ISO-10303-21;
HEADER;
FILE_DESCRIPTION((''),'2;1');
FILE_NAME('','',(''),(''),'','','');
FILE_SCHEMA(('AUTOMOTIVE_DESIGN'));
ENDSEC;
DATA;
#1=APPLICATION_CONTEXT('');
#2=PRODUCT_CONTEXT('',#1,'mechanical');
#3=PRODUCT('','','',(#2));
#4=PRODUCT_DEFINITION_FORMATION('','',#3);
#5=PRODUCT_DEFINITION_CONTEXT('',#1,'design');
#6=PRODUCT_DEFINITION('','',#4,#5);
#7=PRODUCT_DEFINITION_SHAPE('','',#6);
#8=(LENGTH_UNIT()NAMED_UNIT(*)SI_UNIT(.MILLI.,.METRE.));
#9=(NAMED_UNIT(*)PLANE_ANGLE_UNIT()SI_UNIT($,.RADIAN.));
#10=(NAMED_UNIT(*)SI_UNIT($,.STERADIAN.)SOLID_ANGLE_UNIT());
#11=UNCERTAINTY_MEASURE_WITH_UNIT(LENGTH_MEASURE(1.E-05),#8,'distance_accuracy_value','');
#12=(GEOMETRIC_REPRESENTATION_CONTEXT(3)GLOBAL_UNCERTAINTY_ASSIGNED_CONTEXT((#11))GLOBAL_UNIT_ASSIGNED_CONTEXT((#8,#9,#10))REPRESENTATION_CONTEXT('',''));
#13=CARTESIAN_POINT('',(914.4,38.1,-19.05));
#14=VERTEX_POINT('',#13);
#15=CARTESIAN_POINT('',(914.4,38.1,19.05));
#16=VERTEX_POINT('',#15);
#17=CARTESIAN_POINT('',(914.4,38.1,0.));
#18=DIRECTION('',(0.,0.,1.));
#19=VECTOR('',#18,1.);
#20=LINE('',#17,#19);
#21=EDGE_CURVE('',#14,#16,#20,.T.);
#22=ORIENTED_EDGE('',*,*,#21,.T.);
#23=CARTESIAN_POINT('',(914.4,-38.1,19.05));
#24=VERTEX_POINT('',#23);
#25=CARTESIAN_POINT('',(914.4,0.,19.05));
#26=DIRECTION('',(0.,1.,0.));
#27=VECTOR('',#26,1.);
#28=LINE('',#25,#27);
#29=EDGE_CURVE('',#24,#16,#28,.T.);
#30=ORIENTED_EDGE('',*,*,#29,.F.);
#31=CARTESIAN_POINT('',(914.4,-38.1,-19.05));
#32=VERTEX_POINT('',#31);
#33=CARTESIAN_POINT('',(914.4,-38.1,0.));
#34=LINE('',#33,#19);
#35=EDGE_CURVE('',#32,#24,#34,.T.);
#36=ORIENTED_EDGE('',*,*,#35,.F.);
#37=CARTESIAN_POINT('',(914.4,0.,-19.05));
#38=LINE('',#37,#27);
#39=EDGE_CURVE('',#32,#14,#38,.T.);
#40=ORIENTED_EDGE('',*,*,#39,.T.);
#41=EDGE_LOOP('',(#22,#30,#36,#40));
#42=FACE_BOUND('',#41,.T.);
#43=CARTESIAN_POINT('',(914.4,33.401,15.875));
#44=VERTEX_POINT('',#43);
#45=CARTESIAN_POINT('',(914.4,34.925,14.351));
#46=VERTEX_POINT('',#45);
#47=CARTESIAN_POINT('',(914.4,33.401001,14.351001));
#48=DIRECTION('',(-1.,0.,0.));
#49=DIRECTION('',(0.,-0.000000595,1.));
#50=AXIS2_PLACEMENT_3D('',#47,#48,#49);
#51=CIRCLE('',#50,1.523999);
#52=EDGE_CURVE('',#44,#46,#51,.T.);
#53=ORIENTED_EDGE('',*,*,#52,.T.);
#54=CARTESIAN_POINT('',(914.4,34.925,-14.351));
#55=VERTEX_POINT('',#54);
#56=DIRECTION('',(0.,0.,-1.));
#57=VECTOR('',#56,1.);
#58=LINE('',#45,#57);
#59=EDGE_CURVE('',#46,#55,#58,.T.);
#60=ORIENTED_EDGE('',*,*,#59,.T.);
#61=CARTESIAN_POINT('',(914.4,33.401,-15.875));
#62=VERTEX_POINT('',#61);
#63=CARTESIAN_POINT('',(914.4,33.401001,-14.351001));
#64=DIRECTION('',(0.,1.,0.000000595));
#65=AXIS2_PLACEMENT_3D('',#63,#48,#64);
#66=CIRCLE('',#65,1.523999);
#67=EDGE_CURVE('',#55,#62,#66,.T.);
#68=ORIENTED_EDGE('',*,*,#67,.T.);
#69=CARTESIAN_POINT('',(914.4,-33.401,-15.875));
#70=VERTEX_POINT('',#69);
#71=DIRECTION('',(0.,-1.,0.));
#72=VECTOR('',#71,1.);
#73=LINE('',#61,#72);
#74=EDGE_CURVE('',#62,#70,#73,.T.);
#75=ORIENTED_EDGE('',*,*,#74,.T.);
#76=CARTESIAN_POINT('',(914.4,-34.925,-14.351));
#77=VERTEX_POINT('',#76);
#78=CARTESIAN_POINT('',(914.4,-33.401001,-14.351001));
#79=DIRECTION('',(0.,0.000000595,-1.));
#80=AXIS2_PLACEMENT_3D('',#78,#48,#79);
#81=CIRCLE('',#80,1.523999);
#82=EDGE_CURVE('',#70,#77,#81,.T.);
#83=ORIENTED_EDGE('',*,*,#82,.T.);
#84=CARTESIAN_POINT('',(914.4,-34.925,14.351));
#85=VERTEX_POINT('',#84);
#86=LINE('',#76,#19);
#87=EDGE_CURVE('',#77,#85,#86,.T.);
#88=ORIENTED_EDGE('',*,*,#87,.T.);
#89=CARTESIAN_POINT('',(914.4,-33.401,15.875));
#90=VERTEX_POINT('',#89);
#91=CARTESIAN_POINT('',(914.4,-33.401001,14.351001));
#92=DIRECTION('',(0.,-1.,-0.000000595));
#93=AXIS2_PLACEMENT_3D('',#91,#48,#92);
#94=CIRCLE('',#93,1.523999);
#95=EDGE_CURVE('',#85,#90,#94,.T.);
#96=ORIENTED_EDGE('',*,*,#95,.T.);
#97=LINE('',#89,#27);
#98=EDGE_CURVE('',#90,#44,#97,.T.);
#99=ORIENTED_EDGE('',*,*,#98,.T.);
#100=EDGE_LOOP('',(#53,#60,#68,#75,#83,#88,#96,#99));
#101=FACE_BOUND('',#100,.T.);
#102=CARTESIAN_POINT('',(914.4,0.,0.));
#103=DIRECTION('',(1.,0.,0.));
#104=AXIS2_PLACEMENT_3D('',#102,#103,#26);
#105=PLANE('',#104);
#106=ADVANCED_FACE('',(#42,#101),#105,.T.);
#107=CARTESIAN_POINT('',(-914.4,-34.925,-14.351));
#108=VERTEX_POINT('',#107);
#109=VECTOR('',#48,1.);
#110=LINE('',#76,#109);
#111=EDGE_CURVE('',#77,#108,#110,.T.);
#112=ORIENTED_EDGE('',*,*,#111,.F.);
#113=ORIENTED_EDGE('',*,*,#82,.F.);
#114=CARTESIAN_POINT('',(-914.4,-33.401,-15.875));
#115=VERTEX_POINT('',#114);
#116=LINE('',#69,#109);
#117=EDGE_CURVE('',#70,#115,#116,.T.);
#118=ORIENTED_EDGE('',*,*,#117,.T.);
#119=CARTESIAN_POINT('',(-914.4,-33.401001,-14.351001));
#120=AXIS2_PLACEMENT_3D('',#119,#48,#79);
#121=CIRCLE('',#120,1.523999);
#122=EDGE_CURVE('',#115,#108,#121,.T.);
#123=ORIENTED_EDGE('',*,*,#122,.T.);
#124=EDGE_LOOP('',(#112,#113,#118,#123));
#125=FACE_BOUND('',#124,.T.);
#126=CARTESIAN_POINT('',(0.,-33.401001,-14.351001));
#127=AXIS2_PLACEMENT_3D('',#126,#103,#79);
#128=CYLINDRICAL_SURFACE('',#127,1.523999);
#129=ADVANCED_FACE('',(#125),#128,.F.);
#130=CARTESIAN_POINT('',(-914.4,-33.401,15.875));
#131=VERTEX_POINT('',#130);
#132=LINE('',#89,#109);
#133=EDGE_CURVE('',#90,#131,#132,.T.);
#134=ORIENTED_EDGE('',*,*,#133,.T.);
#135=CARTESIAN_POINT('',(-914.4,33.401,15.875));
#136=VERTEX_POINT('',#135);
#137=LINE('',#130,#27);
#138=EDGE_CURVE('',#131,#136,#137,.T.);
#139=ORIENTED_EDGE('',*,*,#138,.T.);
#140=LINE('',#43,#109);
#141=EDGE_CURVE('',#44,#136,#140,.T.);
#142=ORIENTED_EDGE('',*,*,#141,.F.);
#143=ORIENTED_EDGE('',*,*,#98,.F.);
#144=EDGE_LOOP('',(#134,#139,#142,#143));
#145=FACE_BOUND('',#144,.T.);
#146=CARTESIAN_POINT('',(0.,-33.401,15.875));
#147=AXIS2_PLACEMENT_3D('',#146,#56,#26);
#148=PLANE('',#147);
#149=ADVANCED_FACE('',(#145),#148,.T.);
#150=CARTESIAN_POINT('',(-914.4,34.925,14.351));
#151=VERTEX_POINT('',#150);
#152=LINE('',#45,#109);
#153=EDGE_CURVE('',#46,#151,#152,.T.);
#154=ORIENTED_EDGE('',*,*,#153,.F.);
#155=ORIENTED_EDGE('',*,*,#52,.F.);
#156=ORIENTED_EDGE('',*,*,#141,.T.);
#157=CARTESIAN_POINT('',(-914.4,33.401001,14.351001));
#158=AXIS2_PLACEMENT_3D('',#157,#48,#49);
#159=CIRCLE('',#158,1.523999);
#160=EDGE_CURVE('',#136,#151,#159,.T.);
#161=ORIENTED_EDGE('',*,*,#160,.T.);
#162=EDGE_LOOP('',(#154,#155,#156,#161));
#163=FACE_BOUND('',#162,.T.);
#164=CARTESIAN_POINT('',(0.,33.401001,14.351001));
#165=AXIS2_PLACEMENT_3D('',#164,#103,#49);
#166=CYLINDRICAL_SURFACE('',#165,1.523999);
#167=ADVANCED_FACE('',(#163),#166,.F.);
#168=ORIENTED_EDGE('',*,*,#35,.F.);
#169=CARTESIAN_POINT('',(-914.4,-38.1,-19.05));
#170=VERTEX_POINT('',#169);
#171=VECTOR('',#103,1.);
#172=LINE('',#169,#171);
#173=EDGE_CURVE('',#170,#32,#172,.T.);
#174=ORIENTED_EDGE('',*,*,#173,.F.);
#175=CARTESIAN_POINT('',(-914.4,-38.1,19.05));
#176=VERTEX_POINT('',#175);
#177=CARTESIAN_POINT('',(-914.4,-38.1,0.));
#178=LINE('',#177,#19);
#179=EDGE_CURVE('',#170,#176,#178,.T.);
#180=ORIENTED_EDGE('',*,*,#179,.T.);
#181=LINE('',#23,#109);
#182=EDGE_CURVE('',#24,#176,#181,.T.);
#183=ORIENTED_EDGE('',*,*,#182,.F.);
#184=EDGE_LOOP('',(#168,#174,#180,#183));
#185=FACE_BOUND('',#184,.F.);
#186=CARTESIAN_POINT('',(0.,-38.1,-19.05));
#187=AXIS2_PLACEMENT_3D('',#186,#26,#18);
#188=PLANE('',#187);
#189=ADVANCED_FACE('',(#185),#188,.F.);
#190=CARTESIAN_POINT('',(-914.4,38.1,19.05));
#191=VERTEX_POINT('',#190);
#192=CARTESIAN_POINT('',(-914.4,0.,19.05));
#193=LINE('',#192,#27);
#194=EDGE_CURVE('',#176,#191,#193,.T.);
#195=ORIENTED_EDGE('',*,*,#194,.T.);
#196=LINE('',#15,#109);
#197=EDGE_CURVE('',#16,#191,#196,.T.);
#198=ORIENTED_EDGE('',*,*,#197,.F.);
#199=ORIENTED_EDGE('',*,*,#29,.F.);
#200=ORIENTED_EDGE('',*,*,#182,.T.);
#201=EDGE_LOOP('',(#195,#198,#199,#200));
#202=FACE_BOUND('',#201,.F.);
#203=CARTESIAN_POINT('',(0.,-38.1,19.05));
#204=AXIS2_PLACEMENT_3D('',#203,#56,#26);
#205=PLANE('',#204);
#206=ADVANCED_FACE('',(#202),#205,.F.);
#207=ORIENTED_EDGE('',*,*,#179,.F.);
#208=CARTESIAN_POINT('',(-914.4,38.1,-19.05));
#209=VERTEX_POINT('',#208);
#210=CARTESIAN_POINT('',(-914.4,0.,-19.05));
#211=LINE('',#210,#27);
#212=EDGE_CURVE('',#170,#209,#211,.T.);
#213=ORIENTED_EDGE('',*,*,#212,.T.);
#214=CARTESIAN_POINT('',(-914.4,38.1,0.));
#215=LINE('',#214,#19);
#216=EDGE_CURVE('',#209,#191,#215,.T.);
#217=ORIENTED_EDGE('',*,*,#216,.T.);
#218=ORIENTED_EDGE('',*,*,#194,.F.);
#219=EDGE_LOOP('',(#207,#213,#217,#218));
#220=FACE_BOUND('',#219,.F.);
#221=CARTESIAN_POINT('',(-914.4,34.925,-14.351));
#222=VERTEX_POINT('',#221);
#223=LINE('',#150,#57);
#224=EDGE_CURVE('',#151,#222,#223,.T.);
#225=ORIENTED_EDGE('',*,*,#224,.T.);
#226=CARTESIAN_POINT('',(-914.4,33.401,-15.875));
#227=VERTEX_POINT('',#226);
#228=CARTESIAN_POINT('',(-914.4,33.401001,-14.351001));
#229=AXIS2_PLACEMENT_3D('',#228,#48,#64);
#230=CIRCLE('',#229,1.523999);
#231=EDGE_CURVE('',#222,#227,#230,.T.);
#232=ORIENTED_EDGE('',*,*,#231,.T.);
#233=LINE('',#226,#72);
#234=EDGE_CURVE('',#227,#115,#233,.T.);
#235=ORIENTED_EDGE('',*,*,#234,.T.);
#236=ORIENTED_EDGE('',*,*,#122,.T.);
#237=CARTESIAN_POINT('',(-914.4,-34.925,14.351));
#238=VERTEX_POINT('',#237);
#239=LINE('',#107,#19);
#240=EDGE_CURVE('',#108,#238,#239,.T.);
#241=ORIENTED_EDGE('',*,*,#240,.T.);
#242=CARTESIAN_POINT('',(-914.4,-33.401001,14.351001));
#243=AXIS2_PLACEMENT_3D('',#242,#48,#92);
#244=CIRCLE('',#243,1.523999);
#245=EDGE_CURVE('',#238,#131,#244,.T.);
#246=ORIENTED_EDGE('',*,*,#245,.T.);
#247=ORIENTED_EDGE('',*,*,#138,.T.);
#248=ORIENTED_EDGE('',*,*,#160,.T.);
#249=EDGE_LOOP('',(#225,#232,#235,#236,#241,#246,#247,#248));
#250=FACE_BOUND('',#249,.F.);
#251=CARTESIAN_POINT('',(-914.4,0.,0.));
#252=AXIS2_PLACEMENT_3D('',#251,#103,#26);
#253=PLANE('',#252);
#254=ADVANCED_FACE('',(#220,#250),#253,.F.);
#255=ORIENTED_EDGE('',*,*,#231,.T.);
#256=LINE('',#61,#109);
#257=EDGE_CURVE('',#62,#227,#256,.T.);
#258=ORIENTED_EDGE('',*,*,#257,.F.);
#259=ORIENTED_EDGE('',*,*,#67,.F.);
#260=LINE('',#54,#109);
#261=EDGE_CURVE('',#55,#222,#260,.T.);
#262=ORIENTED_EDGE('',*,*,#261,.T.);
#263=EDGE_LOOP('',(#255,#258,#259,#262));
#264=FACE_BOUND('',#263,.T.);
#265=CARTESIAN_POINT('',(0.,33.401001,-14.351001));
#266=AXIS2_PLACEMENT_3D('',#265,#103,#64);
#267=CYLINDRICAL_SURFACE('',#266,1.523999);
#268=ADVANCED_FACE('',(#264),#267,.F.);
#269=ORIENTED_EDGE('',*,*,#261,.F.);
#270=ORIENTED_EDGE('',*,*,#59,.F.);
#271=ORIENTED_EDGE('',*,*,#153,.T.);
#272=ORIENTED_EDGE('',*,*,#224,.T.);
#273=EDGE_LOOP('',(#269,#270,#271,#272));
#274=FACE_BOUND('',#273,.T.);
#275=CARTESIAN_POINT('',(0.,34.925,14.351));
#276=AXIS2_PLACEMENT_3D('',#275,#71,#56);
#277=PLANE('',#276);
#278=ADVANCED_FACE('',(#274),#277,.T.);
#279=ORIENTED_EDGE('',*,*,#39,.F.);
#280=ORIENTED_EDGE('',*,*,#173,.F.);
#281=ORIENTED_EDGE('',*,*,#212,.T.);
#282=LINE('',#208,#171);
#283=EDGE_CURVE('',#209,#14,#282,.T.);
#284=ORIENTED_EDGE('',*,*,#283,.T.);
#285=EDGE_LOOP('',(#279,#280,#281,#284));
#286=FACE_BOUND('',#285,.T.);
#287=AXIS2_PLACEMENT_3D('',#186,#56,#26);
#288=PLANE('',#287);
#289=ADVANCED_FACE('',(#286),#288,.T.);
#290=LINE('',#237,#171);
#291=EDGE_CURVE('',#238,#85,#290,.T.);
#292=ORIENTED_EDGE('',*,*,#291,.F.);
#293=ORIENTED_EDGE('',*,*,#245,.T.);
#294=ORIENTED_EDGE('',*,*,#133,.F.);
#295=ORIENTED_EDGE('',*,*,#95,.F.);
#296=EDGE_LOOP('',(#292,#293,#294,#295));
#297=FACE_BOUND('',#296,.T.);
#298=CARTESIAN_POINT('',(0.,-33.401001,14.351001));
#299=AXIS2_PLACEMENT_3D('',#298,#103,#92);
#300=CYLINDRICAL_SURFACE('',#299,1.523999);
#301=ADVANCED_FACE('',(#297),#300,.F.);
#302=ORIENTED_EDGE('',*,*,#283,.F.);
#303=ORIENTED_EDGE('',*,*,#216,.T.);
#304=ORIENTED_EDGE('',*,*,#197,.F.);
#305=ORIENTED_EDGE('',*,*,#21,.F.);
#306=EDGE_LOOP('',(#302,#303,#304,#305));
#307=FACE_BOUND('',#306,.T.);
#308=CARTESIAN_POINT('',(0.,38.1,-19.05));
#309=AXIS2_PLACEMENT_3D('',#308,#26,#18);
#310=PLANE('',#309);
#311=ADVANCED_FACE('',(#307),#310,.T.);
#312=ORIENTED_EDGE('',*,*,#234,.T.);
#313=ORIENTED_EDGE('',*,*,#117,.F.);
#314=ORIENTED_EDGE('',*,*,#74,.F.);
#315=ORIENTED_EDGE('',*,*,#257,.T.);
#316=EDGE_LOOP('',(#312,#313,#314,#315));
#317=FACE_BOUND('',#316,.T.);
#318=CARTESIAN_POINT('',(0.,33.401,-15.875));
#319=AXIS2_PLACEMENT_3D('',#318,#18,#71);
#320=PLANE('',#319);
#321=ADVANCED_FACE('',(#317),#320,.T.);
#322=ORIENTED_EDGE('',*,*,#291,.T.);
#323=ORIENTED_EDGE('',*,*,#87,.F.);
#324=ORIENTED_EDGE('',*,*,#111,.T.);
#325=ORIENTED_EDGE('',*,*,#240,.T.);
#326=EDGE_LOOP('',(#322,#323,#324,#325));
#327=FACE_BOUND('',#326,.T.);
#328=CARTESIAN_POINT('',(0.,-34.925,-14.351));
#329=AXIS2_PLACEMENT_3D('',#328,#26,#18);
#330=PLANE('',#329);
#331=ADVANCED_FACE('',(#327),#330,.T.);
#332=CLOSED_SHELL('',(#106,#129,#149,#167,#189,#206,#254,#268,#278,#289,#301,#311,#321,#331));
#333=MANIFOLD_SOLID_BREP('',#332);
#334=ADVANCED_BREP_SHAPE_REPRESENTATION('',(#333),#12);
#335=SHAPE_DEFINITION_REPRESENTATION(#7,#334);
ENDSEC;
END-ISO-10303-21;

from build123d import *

# Parameters (mm, degrees)
F0_W     = 76.2
F0_H     = 38.1
F1_DEPTH = 914.4


with BuildPart() as f1:
    # F0 (on Right) → F1 (new body, symmetric)
    with BuildSketch(Plane.YZ):
        Rectangle(F0_W, F0_H)
        with BuildLine():
            ThreePointArc((-34.925, 14.351), (-34.478631, 15.428631), (-33.401, 15.875))
            Line((-33.401, 15.875), (33.401, 15.875))
            ThreePointArc((33.401, 15.875), (34.478631, 15.428631), (34.925, 14.351))
            Line((34.925, 14.351), (34.925, -14.351))
            ThreePointArc((34.925, -14.351), (34.478631, -15.428631), (33.401, -15.875))
            Line((33.401, -15.875), (-33.401, -15.875))
            ThreePointArc((-33.401, -15.875), (-34.478631, -15.428631), (-34.925, -14.351))
            Line((-34.925, -14.351), (-34.925, 14.351))
        make_face(mode=Mode.SUBTRACT)
    extrude(amount=F1_DEPTH, both=True)


solid = f1.part
